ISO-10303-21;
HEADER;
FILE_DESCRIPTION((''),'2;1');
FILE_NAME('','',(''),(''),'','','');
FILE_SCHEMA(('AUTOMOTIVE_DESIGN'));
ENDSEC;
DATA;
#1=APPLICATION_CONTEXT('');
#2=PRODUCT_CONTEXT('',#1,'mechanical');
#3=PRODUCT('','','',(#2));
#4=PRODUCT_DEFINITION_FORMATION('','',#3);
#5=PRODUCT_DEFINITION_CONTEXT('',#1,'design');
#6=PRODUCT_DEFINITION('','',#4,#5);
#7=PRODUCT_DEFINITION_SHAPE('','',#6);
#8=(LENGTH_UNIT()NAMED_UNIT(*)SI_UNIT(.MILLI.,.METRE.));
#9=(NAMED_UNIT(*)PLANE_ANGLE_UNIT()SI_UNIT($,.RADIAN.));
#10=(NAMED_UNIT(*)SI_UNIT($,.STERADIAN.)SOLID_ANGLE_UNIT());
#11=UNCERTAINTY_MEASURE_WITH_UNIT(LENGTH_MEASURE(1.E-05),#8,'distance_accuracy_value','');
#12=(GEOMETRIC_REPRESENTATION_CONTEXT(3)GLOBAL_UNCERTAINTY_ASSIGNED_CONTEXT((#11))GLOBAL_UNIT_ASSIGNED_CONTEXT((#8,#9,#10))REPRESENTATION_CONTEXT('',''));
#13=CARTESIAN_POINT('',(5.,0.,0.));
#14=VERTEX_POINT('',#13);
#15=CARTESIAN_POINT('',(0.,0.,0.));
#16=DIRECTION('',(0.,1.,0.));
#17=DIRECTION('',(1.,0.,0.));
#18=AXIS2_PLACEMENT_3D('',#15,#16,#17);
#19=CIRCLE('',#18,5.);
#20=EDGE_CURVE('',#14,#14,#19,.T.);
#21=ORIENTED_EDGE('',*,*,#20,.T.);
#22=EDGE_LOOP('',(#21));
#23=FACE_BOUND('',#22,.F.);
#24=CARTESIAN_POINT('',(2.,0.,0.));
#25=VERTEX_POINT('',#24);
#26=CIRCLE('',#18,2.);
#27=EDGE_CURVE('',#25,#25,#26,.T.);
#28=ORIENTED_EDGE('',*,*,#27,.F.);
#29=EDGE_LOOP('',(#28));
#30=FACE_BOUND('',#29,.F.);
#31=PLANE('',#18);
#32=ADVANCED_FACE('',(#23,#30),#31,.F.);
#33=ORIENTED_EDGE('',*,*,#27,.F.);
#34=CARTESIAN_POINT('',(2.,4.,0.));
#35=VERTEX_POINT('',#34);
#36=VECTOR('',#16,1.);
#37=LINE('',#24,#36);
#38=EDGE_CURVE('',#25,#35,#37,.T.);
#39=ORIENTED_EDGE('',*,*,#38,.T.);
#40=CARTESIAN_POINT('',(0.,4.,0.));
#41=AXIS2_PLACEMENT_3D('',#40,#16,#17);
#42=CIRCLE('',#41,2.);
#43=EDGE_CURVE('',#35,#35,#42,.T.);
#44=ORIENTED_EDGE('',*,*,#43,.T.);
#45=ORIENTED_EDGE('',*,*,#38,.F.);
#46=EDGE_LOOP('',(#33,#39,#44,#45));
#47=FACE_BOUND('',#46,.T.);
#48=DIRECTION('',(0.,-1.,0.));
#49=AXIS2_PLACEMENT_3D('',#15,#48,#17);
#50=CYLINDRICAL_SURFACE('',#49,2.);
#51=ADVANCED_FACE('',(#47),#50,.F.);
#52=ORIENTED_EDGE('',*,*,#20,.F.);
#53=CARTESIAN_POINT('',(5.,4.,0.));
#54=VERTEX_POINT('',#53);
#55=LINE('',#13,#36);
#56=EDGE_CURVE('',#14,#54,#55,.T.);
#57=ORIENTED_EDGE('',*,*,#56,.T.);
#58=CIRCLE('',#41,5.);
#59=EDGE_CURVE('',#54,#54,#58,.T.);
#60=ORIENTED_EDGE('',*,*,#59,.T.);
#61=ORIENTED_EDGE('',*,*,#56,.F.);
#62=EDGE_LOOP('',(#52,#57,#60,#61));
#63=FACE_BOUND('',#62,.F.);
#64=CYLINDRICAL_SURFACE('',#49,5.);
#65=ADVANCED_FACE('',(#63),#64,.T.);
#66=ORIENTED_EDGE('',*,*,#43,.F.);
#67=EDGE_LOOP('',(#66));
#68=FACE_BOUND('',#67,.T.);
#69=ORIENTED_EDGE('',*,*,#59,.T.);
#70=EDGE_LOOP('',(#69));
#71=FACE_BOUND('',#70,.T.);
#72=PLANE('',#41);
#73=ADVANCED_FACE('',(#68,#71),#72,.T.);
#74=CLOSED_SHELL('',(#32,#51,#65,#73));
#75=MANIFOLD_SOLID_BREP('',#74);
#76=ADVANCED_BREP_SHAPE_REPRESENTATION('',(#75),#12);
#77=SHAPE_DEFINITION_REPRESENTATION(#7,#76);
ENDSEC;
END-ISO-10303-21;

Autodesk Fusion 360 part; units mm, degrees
sketch "Sketch1" plane through (0, 0, 0) normal (0, 1, 0) x (1, 0, 0)
  circle A0 centre (0, 0) radius 2
  circle A1 centre (0, 0) radius 5
  dimension "d1" = 4
  dimension "d2" = 10
extrude "Extrude1" add sketch "Sketch1" along normal blind 4
